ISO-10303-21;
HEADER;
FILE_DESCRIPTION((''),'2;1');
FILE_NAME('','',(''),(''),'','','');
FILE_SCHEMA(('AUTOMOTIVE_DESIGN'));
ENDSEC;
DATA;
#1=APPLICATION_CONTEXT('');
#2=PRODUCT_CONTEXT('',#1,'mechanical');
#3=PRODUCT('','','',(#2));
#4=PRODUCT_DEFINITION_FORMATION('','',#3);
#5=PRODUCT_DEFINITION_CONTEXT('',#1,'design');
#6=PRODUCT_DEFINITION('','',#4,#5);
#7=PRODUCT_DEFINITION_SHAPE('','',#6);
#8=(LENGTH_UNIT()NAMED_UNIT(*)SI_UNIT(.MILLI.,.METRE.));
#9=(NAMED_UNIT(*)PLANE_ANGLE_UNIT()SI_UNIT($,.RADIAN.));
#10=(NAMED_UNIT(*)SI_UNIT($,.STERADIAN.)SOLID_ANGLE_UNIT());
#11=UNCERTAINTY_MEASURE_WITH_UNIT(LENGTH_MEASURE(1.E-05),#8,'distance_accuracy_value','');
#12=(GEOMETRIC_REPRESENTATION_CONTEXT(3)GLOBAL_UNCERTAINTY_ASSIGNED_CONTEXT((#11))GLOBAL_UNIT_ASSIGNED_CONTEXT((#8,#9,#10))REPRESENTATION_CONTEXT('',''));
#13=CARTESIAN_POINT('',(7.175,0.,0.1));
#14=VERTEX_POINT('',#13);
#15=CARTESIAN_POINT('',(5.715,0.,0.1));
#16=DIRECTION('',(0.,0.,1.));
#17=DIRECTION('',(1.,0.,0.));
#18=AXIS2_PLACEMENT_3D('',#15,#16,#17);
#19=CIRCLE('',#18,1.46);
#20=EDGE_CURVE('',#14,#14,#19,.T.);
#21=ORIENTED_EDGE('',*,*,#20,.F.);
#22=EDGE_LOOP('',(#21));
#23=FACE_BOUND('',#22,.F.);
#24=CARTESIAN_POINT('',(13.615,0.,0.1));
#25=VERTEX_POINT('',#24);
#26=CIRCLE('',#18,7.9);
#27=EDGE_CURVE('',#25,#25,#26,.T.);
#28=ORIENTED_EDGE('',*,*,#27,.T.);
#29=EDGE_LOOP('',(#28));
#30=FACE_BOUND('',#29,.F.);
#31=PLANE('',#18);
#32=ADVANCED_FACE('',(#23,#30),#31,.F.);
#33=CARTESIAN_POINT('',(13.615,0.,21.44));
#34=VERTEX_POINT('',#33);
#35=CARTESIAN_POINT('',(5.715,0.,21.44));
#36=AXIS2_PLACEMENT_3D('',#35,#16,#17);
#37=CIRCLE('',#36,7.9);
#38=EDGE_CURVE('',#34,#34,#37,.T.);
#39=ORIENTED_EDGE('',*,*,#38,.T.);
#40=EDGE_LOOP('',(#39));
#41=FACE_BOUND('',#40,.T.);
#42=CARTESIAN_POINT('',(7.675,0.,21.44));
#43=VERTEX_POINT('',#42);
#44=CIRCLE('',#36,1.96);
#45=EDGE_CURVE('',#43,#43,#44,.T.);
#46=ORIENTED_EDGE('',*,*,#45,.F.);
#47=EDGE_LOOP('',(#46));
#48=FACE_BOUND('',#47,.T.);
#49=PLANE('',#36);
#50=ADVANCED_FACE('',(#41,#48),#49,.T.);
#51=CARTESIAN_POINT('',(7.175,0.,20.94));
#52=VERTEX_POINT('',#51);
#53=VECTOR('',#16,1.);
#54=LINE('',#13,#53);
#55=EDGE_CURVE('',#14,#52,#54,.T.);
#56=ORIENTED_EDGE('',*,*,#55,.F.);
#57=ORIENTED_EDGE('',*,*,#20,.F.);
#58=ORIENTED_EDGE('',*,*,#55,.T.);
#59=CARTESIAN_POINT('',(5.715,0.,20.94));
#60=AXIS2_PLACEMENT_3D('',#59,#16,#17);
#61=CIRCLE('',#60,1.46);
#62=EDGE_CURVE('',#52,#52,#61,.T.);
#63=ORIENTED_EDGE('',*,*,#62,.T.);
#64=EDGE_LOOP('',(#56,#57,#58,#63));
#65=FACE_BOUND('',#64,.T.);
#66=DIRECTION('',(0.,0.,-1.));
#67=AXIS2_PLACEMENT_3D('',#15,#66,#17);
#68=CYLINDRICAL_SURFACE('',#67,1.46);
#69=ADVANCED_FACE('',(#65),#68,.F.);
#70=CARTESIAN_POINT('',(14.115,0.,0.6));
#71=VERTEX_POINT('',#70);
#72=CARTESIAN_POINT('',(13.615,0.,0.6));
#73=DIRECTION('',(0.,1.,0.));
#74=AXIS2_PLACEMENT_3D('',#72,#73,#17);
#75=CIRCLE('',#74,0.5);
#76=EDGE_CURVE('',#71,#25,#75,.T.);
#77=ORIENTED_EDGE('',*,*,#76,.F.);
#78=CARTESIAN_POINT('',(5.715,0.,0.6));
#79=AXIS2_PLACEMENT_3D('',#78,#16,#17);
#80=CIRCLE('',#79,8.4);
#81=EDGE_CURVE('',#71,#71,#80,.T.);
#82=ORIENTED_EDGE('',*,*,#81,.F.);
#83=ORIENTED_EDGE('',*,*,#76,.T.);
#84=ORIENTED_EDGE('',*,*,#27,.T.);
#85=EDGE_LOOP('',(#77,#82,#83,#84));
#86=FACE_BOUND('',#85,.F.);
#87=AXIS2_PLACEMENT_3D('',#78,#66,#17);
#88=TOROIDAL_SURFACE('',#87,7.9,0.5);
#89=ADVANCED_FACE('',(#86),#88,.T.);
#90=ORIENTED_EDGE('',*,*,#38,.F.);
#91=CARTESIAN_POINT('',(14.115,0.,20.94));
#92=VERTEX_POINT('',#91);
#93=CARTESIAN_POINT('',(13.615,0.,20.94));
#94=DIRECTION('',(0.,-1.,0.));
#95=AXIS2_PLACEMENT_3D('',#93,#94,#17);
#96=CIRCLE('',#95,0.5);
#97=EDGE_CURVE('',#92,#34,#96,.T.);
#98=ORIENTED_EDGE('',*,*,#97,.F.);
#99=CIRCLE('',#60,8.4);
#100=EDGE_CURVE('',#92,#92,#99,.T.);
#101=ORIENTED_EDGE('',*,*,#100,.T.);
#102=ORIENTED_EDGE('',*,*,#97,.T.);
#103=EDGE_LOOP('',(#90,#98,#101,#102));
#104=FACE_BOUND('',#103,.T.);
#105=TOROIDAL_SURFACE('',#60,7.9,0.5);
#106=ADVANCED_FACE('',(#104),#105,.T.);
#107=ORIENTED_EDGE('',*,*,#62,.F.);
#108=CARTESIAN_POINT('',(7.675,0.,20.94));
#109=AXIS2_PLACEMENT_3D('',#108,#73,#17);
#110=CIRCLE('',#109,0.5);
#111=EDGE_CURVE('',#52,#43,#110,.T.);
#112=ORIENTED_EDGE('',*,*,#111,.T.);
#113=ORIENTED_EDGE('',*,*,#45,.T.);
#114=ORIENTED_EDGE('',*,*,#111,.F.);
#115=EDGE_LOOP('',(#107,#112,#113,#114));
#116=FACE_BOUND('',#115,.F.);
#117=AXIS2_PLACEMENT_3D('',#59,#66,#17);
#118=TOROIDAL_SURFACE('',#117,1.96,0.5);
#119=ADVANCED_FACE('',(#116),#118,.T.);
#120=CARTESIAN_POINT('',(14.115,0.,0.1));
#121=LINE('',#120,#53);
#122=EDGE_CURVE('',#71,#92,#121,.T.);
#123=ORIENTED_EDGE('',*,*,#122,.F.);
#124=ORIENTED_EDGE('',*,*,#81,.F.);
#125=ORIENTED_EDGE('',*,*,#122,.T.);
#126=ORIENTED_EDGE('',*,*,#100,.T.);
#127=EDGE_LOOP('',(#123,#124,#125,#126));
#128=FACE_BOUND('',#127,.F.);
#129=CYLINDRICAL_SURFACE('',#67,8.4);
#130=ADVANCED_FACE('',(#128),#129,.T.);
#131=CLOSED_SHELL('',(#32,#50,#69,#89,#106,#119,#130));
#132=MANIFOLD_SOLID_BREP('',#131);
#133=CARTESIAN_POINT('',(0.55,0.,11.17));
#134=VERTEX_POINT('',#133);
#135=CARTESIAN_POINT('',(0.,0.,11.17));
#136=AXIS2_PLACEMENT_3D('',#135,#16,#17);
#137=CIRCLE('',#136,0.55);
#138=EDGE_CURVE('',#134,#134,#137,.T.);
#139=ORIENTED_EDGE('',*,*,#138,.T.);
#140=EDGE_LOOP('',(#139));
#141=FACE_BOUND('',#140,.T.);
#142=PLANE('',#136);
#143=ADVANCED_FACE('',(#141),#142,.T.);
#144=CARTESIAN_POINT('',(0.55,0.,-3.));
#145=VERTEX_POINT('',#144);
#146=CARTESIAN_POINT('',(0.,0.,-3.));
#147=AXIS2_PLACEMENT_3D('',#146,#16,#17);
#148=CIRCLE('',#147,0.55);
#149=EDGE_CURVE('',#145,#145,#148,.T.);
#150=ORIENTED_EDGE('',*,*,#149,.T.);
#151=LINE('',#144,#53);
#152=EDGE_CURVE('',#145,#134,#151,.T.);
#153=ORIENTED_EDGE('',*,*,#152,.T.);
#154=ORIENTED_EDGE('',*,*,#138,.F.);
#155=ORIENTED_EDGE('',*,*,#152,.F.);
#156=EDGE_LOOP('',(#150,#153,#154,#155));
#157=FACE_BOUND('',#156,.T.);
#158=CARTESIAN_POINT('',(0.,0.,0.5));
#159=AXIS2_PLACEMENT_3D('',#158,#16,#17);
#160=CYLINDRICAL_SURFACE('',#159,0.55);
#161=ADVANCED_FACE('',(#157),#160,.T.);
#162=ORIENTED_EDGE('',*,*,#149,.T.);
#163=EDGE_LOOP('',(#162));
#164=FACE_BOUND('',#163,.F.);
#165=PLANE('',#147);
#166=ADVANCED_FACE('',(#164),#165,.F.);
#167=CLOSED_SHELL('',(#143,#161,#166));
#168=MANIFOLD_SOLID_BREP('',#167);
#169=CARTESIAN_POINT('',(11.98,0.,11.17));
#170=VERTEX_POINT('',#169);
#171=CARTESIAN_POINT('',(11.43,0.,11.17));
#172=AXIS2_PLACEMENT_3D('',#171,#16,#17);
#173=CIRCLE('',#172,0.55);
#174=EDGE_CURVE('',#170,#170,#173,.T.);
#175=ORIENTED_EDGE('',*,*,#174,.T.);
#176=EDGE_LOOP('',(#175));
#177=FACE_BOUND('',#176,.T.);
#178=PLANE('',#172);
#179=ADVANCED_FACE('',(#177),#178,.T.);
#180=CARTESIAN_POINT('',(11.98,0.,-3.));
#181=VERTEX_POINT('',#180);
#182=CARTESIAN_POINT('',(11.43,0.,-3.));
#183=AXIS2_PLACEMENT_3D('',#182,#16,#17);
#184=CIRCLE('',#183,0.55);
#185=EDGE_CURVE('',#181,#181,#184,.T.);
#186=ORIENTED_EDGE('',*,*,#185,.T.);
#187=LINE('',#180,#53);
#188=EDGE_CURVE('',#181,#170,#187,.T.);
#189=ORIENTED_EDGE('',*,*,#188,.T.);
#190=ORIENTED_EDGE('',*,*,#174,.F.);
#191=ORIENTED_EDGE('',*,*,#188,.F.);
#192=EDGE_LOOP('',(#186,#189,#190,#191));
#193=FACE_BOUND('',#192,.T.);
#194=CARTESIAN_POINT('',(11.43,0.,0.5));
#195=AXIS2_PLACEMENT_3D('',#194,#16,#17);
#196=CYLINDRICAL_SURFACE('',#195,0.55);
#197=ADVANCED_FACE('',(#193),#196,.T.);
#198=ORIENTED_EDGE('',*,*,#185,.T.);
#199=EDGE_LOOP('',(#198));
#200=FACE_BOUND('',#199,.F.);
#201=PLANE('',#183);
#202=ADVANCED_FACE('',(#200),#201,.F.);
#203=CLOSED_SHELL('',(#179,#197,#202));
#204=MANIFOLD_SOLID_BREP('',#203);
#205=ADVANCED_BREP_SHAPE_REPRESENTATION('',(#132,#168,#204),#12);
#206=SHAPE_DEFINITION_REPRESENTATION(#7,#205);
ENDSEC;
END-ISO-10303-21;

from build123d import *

# Parameters (mm, degrees)
SKETCH001_R       = 0.55
PAD001_DEPTH      = 10.67
PAD001_DEPTH_BACK = 3.5
SKETCH_R          = 8.4
SKETCH_R_2        = 1.46
PAD_DEPTH         = 21.34
FILLET_R          = 0.5


with BuildPart() as pad001:
    # Sketch001 → Pad001 (new body, two sides)
    with BuildSketch(Plane.XY.offset(0.5)) as pad001_sk:
        Circle(SKETCH001_R)
        with Locations((11.43, 0)):
            Circle(SKETCH001_R)
    extrude(amount=PAD001_DEPTH)
    extrude(pad001_sk.sketch, amount=-PAD001_DEPTH_BACK)


with BuildPart() as fillet_body:
    # Sketch → Pad (new body)
    with BuildSketch(Plane.XY.offset(0.1)):
        with Locations((5.715, 0)):
            Circle(SKETCH_R)
        with Locations((5.715, 0)):
            Circle(SKETCH_R_2, mode=Mode.SUBTRACT)
    extrude(amount=PAD_DEPTH)

    # Fillet
    fillet_edges = [fillet_body.edges().sort_by_distance(p)[0] for p in [
        (4.255, 0, 21.44),
        (-2.685, 0, 21.44),
        (-2.685, 0, 0.1),
    ]]
    fillet(fillet_edges, radius=FILLET_R)


solid = Compound([pad001.part, fillet_body.part])
